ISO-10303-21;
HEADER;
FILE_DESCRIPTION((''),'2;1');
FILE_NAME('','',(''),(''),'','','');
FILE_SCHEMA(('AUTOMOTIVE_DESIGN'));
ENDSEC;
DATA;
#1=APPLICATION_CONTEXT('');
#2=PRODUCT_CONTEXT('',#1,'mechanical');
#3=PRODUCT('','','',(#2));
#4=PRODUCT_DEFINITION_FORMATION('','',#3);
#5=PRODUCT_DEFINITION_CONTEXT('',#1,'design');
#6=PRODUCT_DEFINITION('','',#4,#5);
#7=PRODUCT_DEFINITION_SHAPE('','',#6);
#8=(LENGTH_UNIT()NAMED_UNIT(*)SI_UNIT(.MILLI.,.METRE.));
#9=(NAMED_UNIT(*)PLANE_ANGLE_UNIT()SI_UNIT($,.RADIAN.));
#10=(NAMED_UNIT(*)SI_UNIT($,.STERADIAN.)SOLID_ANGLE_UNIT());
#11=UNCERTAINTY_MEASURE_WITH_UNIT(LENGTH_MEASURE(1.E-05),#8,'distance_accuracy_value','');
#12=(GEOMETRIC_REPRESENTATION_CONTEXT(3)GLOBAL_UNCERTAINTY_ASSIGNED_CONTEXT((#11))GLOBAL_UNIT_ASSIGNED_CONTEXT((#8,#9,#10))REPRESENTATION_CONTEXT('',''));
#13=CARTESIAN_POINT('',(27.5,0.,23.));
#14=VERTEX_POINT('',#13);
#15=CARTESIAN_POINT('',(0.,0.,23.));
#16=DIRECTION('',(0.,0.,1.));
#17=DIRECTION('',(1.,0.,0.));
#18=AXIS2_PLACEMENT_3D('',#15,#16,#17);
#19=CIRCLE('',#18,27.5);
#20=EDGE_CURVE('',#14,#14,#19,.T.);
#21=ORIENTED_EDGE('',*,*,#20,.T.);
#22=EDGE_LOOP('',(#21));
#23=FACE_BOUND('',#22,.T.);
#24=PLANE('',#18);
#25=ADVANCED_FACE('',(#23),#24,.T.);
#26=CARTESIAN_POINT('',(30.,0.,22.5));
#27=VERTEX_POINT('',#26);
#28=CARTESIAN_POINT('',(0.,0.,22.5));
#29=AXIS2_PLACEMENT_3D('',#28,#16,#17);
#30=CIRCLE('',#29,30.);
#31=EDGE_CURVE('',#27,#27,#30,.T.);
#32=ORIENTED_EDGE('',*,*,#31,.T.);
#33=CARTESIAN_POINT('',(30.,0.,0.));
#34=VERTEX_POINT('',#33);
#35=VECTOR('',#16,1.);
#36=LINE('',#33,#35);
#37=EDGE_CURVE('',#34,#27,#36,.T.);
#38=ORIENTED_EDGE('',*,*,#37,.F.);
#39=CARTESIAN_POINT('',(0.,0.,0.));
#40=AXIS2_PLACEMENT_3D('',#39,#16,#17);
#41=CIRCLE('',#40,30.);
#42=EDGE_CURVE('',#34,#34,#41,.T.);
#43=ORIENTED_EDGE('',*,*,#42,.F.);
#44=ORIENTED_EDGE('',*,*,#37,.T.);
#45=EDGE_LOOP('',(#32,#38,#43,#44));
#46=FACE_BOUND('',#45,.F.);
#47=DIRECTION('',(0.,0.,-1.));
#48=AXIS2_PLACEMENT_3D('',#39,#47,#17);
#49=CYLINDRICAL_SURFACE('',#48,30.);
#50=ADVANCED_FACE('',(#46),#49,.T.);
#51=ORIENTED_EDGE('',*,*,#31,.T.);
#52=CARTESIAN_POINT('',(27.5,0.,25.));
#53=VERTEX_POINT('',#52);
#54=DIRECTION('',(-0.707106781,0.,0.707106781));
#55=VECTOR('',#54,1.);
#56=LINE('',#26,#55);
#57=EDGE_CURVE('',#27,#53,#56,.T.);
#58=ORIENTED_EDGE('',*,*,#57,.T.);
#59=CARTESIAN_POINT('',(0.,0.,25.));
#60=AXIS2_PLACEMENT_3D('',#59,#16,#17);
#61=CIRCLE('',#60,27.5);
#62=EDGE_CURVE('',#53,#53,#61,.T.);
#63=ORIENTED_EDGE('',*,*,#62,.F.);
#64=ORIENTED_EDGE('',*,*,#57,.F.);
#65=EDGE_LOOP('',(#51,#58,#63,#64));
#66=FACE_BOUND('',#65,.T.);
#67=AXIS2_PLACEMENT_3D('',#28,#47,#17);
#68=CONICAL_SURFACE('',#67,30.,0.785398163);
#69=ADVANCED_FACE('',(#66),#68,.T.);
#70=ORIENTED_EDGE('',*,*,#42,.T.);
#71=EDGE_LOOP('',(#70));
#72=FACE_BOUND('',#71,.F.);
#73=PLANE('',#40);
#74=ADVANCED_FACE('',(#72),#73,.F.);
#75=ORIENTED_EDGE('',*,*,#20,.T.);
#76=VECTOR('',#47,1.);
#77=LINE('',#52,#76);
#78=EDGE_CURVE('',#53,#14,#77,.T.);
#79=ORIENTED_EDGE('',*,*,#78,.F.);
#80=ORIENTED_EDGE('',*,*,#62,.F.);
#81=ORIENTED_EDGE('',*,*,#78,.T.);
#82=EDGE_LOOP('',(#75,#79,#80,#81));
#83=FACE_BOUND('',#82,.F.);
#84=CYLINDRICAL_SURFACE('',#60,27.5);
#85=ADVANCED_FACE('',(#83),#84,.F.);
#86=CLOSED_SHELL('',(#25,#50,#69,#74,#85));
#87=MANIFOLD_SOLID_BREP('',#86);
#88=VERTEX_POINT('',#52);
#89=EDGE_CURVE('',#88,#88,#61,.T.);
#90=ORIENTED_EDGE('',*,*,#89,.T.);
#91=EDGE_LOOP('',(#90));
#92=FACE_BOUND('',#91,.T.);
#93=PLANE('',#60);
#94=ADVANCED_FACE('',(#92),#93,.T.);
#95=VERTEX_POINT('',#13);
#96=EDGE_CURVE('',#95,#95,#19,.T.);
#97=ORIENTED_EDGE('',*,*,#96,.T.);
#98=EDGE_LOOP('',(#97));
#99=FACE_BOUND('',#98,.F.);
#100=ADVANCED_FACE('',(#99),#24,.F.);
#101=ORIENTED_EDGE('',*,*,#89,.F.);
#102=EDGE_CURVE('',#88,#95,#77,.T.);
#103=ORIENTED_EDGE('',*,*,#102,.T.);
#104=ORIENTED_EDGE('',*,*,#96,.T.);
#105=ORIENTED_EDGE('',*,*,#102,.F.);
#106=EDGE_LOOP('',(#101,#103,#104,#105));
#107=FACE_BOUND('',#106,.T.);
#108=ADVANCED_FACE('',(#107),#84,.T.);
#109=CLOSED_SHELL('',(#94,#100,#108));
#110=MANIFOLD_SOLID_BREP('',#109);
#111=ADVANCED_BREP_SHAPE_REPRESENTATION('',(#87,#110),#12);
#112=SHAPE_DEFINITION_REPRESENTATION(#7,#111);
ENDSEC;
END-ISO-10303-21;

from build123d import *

# Parameters (mm, degrees)
F0_R      = 30
F1_DEPTH  = 25
F2_SIZE   = 2.5
F1_FACE_R = 27.5
F3_DEPTH  = 2


with BuildPart() as f1:
    # F0 (on Top) → F1 (new body)
    with BuildSketch(Plane.XY):
        Circle(F0_R)
    extrude(amount=F1_DEPTH)

    # F2
    f2_edges = [f1.edges().sort_by_distance(p)[0] for p in [
        (-30, 0, 25),
    ]]
    chamfer(f2_edges, length=F2_SIZE)


with BuildPart() as f3:
    # F1_face (on face) → F3 (new body)
    with BuildSketch(Plane.XY.offset(25)):
        Circle(F1_FACE_R)
    extrude(amount=-F3_DEPTH)


with BuildPart() as f1_1:
    add(f1.part)

    # F4: cut F3
    add(f3.part, mode=Mode.SUBTRACT)


solid = Compound([f3.part, f1_1.part])
